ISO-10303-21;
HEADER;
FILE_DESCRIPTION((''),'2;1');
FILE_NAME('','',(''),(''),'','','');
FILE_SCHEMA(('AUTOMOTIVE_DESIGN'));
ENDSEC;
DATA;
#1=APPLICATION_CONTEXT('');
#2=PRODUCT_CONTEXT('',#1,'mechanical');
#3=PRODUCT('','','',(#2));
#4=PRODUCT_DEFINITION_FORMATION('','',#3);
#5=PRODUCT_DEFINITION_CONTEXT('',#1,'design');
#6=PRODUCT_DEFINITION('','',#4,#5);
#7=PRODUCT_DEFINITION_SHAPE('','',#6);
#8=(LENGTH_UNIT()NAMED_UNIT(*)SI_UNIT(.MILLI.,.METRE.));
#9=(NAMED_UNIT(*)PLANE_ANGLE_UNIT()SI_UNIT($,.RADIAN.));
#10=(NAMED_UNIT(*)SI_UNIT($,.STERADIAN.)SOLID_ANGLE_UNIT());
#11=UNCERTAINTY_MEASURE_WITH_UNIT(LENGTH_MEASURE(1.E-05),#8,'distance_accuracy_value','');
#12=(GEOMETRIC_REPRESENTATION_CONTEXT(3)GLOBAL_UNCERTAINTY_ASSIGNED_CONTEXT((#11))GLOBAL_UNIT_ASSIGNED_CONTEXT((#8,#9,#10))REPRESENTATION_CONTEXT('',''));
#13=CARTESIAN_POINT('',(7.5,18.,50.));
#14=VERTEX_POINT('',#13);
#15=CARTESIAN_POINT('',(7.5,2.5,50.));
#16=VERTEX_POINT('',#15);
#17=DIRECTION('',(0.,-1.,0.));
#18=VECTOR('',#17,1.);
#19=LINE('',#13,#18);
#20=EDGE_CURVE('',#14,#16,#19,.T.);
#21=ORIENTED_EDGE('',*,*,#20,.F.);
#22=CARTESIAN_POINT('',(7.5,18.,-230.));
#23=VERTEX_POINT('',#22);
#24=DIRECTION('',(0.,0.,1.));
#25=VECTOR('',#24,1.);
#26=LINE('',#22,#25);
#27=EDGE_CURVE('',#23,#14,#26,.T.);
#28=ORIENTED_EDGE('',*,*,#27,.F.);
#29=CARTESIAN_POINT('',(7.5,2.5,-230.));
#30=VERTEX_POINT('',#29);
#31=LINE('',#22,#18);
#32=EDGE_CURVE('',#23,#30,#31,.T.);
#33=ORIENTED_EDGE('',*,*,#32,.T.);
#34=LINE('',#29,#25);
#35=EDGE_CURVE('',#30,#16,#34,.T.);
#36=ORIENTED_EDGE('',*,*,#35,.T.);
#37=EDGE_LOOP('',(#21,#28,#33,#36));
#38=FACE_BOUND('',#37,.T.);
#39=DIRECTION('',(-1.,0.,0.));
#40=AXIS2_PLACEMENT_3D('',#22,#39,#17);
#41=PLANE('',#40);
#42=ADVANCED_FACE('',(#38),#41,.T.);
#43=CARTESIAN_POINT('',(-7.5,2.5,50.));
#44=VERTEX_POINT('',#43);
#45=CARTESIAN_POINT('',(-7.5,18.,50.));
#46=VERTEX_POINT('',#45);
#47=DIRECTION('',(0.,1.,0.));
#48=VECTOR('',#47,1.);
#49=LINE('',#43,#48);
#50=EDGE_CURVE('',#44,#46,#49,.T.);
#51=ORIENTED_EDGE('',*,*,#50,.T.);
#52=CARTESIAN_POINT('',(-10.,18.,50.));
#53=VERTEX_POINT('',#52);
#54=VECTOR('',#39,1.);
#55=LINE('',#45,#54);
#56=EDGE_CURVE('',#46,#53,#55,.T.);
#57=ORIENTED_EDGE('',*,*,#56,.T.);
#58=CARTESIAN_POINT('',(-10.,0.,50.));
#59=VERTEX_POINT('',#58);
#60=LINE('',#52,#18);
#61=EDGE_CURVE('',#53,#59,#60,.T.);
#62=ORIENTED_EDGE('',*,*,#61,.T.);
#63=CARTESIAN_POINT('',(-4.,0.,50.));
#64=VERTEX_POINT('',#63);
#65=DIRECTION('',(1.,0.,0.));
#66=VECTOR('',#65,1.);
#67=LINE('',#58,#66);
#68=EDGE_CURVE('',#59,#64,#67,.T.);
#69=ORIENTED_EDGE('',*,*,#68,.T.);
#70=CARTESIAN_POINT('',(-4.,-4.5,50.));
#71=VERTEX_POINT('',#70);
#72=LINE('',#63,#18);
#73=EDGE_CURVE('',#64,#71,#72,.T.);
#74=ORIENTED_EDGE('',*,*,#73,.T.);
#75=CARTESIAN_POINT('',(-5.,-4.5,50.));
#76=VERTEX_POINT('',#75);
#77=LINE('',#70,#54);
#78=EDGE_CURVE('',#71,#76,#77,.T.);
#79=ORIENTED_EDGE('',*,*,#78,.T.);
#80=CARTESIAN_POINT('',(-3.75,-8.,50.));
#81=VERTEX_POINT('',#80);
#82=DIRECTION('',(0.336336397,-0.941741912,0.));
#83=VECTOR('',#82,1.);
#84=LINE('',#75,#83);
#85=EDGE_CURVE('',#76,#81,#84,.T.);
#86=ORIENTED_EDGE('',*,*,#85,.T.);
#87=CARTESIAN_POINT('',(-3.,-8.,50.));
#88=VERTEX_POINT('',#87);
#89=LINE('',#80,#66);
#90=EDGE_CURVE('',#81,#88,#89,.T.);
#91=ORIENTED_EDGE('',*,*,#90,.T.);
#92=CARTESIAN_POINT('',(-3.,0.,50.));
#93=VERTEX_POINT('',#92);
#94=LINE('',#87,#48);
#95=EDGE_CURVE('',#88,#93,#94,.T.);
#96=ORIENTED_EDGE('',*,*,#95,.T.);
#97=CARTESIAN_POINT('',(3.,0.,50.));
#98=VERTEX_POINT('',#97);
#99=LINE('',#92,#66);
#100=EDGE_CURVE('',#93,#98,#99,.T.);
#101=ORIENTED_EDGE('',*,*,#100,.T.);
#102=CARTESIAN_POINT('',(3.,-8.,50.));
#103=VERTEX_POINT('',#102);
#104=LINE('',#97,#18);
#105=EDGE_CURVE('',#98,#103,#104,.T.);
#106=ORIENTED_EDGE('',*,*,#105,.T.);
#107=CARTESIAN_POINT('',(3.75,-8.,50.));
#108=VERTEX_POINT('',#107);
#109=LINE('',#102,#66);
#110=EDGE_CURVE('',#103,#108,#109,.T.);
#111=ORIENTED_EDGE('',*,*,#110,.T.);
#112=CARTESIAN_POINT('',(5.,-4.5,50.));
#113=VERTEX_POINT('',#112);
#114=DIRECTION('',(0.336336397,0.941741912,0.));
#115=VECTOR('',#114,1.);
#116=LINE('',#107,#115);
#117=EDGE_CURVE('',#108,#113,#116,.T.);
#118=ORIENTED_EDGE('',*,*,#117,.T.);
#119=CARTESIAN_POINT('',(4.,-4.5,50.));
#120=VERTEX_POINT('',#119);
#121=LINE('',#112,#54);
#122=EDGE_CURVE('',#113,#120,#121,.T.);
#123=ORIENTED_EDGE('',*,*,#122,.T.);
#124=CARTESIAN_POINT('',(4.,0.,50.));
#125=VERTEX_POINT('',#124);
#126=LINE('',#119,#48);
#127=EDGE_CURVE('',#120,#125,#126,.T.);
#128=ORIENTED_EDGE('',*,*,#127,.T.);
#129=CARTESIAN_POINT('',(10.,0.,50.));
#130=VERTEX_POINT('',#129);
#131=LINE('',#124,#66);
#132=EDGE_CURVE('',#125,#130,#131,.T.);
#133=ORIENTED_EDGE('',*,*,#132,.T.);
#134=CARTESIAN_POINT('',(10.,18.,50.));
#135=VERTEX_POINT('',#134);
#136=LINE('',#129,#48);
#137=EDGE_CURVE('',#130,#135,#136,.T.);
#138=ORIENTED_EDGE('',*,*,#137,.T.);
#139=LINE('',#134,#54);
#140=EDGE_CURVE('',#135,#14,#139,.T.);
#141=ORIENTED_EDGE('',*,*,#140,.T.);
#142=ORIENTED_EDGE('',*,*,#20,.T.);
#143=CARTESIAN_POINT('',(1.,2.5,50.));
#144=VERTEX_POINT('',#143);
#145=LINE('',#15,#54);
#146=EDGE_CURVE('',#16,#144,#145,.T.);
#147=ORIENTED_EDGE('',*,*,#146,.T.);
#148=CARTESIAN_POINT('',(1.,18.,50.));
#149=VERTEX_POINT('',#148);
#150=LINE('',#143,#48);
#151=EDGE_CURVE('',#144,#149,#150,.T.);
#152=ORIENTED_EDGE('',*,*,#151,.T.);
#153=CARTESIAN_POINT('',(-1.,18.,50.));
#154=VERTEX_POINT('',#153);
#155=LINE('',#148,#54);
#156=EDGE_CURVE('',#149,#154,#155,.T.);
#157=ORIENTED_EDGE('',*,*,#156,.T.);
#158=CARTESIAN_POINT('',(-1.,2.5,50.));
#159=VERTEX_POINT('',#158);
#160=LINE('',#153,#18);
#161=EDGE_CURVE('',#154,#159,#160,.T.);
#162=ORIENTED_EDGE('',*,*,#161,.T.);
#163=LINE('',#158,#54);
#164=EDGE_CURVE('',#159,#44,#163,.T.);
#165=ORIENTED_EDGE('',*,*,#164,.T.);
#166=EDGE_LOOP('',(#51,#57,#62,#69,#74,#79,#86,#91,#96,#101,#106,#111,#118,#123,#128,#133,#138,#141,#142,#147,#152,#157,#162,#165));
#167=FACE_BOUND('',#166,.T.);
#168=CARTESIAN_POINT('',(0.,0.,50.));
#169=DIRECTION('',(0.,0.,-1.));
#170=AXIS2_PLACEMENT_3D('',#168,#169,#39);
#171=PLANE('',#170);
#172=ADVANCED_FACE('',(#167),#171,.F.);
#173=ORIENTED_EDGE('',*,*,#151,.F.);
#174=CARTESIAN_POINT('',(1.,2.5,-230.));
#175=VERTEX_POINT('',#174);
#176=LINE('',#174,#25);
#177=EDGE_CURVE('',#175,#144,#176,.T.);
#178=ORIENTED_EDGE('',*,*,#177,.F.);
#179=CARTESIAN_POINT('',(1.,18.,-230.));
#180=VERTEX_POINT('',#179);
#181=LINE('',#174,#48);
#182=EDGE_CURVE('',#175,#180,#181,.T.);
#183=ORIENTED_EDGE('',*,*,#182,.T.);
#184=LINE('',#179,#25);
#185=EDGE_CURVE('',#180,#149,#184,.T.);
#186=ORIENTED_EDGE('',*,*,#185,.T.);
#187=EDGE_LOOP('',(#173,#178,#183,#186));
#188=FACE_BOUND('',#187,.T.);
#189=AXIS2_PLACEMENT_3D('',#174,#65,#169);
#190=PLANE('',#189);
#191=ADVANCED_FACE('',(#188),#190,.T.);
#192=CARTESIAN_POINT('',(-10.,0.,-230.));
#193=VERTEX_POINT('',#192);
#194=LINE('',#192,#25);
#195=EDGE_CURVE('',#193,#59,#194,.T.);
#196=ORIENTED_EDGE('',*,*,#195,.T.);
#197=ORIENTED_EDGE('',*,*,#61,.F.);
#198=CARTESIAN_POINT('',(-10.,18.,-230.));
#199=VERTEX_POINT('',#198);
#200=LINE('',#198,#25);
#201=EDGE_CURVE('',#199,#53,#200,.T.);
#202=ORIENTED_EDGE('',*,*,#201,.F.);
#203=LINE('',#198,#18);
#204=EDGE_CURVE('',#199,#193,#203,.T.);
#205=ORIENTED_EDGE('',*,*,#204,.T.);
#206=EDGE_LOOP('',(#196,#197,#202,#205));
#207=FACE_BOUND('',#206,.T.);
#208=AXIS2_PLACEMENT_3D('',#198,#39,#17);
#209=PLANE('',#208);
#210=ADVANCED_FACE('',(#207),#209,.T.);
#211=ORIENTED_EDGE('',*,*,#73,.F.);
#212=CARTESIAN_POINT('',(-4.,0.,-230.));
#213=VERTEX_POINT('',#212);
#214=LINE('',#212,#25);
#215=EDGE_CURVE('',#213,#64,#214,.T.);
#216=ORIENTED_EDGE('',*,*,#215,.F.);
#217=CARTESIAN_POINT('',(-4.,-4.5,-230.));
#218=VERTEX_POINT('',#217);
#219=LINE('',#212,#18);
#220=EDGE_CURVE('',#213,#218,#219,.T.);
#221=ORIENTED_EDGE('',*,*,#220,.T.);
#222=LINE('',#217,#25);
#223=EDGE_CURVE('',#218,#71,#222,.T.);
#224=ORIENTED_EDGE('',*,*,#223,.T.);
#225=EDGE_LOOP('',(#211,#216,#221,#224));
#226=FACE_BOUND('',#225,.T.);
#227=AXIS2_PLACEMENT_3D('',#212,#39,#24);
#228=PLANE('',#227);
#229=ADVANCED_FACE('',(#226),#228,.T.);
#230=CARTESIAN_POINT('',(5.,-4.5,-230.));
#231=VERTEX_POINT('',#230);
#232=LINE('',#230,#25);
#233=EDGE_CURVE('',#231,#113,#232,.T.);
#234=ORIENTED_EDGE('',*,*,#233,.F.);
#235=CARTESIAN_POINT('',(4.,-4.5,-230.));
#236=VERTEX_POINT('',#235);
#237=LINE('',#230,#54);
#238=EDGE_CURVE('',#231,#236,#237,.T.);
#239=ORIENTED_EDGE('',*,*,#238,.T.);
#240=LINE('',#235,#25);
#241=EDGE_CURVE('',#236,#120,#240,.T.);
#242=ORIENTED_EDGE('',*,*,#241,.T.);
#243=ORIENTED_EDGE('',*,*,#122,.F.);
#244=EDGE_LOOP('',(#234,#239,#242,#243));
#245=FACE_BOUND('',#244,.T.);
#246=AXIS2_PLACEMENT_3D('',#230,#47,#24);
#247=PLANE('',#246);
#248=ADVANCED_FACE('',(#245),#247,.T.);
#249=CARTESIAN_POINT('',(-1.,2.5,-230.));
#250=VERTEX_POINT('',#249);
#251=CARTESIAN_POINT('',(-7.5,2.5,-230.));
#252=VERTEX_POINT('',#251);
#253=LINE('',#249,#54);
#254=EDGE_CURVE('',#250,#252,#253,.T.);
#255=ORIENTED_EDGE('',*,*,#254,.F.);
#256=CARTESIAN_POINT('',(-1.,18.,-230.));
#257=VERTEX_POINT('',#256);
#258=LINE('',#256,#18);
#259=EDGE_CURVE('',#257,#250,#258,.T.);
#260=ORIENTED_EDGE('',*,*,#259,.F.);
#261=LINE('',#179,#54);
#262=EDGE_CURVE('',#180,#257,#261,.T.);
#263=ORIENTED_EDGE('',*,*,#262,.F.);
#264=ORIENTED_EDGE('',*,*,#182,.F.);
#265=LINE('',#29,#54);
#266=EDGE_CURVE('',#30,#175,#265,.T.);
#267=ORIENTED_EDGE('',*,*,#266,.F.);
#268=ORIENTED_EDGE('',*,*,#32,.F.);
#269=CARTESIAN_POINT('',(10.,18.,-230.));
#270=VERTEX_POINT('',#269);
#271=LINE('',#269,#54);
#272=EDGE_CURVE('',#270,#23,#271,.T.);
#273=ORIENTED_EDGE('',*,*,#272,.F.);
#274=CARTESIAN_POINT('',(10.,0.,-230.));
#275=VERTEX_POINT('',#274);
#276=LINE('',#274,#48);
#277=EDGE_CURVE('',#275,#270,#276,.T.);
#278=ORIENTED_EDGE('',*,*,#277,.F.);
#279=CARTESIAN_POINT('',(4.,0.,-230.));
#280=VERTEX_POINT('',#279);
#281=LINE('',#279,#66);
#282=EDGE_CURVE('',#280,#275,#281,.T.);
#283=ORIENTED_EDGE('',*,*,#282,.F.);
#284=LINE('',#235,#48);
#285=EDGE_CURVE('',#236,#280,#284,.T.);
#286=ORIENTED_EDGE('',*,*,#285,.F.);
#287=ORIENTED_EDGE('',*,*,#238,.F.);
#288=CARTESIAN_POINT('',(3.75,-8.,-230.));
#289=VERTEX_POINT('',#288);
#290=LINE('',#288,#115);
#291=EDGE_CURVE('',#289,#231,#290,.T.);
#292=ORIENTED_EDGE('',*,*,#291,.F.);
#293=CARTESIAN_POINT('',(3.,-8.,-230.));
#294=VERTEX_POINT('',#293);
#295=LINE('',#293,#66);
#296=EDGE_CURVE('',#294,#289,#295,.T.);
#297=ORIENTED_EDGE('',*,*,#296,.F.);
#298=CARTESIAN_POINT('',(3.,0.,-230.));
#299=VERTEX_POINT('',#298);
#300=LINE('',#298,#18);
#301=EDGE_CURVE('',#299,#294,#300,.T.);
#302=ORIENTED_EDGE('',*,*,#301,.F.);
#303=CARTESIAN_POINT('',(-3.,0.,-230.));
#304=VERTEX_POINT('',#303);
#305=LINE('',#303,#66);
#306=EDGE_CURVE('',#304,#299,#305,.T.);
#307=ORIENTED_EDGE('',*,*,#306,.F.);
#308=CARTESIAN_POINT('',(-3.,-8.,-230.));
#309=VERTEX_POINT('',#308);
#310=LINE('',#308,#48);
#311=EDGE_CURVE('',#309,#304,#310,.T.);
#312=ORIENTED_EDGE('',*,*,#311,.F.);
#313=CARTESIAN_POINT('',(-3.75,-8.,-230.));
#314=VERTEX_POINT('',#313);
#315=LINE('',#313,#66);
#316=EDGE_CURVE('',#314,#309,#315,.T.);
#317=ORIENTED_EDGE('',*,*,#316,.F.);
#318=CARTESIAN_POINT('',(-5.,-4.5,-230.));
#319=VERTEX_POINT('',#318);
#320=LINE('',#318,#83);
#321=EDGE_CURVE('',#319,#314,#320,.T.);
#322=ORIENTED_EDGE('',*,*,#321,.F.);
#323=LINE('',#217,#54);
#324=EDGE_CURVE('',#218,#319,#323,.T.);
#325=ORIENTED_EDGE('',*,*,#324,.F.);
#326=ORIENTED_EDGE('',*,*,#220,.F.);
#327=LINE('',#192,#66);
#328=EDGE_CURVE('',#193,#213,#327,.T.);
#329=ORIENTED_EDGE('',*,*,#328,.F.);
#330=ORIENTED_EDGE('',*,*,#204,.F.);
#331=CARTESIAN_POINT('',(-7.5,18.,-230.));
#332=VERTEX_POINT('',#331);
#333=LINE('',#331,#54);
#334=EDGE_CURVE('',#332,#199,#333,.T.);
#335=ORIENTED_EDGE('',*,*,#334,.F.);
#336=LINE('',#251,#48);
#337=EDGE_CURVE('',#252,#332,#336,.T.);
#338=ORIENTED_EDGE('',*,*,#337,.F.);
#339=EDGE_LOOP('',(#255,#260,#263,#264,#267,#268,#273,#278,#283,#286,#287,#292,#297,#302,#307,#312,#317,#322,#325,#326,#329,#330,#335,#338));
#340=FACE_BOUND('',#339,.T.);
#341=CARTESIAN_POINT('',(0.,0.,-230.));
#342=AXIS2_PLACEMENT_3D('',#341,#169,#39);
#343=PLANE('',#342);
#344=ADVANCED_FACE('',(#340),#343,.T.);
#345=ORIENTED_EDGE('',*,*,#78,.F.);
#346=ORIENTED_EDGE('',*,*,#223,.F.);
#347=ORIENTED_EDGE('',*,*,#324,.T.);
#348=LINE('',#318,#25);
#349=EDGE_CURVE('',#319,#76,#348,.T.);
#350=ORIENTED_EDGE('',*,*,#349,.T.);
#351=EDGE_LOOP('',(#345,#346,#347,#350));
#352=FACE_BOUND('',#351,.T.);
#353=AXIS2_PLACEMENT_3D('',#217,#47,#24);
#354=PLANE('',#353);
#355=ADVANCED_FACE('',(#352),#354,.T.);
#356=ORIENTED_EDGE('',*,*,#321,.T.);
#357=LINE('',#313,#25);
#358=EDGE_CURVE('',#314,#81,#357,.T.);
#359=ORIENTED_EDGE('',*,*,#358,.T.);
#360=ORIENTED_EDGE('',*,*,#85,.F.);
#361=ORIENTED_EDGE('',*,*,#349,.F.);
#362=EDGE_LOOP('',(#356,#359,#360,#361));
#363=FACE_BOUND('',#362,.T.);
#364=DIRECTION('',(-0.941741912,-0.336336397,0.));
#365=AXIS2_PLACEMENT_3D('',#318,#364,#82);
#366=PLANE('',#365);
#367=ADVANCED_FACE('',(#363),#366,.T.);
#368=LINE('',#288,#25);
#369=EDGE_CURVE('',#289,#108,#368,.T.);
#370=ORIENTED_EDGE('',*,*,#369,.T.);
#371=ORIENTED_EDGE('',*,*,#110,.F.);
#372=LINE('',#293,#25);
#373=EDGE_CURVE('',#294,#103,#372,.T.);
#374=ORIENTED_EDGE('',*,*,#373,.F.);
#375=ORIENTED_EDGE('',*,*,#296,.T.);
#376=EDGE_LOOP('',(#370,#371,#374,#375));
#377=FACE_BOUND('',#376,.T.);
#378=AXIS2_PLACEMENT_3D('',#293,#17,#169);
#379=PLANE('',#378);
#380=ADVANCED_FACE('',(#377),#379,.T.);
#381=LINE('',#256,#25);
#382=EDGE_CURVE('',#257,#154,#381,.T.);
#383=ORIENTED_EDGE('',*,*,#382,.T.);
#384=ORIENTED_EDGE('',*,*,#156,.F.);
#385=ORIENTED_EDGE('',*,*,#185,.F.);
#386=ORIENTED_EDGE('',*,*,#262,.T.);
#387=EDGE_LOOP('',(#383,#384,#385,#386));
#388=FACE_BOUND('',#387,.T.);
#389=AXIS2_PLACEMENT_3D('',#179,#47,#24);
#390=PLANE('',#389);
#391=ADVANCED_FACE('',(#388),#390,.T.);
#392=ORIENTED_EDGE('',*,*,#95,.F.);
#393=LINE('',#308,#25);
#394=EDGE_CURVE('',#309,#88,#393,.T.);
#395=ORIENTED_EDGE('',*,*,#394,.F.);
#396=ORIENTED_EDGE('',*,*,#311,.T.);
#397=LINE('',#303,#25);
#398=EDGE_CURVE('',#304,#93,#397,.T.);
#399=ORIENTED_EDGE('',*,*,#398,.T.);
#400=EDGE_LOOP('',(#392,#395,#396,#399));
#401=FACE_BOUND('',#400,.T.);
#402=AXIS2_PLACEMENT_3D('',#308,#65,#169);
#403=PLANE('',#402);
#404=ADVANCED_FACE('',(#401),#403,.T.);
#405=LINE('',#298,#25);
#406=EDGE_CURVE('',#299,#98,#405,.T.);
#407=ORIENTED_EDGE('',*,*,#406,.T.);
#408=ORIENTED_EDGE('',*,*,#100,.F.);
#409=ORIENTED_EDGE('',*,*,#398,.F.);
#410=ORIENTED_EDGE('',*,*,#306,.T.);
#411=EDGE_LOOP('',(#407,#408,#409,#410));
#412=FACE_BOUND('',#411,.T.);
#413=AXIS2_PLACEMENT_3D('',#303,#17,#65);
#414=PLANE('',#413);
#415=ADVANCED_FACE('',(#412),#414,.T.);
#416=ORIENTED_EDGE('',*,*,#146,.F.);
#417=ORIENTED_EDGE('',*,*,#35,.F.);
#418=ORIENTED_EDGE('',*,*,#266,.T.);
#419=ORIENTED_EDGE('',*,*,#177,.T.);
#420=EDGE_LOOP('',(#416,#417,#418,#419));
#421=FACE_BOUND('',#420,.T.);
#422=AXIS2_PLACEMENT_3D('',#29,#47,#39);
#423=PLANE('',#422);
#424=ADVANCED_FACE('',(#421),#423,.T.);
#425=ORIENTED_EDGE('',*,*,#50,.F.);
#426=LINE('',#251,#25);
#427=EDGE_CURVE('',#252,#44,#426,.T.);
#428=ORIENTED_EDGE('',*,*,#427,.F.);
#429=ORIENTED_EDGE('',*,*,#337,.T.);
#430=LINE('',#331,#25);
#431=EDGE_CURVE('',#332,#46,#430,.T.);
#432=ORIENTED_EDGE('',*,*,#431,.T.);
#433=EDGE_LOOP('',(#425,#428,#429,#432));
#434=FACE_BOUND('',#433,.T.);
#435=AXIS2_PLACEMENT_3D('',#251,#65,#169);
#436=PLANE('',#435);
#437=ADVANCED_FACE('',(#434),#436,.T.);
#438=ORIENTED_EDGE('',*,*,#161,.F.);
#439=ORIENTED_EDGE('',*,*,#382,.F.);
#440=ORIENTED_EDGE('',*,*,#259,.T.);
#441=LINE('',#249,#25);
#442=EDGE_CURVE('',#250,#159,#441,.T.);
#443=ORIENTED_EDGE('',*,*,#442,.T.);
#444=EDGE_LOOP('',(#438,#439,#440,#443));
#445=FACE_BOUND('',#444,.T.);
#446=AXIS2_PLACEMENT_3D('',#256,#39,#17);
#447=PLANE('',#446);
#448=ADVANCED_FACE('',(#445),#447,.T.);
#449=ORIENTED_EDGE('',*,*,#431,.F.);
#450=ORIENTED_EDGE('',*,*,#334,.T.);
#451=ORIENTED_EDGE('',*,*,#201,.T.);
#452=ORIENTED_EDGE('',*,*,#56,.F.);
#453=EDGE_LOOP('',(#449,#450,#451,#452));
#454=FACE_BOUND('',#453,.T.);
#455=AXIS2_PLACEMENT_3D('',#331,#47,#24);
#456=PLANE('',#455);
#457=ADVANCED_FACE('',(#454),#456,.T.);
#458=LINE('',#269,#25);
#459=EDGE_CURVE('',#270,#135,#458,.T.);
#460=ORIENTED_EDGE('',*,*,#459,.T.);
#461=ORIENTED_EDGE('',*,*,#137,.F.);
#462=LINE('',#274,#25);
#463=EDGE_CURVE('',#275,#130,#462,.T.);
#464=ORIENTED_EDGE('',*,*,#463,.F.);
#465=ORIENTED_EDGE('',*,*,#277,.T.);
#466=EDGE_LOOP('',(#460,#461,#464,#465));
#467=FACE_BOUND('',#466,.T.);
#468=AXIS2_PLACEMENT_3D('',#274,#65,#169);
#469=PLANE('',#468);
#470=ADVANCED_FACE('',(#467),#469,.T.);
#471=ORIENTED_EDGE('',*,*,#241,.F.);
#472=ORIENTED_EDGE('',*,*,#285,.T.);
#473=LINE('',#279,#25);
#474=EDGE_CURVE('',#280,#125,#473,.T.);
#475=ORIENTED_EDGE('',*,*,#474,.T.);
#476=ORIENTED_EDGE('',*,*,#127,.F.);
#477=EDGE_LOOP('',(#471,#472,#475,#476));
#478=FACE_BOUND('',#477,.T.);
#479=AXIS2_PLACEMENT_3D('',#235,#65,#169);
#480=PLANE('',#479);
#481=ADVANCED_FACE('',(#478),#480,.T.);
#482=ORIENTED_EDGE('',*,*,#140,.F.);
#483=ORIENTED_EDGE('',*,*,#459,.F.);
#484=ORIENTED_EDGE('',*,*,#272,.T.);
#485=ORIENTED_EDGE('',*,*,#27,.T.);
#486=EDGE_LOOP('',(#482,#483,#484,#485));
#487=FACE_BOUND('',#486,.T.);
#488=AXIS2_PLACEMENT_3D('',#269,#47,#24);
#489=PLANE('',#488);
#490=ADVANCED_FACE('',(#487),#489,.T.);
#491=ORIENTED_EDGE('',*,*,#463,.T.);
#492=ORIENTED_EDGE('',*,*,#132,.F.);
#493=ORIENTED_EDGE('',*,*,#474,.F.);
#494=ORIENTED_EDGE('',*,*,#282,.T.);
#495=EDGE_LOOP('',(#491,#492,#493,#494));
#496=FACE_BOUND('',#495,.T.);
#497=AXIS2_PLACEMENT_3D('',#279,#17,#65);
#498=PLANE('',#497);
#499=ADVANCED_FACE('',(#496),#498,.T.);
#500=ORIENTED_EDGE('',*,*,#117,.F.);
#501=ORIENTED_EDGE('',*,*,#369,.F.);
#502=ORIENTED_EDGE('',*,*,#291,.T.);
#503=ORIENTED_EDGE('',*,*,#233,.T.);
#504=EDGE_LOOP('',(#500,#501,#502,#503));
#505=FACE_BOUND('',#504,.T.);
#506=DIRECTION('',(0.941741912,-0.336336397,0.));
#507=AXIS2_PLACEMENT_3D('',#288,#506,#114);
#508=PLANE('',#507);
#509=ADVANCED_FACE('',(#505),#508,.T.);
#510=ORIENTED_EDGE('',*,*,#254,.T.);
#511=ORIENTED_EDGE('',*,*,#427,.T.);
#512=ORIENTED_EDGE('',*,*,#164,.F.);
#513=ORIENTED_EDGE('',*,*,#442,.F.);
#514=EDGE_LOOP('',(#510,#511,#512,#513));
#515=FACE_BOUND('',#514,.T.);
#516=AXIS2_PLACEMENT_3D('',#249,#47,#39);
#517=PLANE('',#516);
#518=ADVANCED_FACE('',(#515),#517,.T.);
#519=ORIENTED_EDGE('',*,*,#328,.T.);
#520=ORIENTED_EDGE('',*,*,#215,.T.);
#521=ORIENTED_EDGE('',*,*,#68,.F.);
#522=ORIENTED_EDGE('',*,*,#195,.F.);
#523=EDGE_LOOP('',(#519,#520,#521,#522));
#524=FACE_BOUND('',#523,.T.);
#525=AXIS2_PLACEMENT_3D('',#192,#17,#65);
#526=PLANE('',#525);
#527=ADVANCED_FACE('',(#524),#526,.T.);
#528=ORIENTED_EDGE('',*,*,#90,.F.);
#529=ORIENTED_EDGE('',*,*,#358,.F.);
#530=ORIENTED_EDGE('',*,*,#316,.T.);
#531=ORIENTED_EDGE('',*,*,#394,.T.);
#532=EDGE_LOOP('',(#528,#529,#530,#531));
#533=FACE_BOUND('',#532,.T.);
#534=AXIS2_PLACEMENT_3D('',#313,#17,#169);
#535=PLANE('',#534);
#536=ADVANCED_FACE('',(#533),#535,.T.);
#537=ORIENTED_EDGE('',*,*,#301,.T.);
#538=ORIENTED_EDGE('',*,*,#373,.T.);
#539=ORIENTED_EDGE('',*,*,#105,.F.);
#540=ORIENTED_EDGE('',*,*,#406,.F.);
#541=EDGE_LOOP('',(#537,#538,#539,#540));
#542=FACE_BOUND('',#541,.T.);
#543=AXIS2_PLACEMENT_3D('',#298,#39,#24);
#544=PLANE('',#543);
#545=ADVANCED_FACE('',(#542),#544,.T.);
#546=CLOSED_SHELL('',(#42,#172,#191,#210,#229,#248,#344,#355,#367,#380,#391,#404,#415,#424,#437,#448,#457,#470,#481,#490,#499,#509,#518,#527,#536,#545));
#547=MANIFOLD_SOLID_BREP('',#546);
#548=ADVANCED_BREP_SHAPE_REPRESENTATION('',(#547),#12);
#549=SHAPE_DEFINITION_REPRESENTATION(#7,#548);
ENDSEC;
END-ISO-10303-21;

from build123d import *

# Parameters (mm, degrees)
BOSS_EXTRU_1_DEPTH = 280


with BuildPart() as part:
    # Esquisse1 → Boss.-Extru.1 (new body)
    with BuildSketch(Plane.XY.offset(50)):
        Polygon((-1, 2.5), (-7.5, 2.5), (-7.5, 17.999999998), (-10, 17.999999998), (-10, 0), (-4, 0), (-4, -4.5), (-5, -4.5), (-3.75, -8), (-3, -8), (-3, 0), (3, 0), (3, -8), (3.75, -8), (5, -4.5), (4, -4.5), (4, 0), (10, 0), (10, 17.999999998), (7.5, 17.999999998), (7.5, 2.5), (1, 2.5), (1, 17.999999998), (-1, 17.999999998), align=None)
    extrude(amount=-BOSS_EXTRU_1_DEPTH)


solid = part.part
